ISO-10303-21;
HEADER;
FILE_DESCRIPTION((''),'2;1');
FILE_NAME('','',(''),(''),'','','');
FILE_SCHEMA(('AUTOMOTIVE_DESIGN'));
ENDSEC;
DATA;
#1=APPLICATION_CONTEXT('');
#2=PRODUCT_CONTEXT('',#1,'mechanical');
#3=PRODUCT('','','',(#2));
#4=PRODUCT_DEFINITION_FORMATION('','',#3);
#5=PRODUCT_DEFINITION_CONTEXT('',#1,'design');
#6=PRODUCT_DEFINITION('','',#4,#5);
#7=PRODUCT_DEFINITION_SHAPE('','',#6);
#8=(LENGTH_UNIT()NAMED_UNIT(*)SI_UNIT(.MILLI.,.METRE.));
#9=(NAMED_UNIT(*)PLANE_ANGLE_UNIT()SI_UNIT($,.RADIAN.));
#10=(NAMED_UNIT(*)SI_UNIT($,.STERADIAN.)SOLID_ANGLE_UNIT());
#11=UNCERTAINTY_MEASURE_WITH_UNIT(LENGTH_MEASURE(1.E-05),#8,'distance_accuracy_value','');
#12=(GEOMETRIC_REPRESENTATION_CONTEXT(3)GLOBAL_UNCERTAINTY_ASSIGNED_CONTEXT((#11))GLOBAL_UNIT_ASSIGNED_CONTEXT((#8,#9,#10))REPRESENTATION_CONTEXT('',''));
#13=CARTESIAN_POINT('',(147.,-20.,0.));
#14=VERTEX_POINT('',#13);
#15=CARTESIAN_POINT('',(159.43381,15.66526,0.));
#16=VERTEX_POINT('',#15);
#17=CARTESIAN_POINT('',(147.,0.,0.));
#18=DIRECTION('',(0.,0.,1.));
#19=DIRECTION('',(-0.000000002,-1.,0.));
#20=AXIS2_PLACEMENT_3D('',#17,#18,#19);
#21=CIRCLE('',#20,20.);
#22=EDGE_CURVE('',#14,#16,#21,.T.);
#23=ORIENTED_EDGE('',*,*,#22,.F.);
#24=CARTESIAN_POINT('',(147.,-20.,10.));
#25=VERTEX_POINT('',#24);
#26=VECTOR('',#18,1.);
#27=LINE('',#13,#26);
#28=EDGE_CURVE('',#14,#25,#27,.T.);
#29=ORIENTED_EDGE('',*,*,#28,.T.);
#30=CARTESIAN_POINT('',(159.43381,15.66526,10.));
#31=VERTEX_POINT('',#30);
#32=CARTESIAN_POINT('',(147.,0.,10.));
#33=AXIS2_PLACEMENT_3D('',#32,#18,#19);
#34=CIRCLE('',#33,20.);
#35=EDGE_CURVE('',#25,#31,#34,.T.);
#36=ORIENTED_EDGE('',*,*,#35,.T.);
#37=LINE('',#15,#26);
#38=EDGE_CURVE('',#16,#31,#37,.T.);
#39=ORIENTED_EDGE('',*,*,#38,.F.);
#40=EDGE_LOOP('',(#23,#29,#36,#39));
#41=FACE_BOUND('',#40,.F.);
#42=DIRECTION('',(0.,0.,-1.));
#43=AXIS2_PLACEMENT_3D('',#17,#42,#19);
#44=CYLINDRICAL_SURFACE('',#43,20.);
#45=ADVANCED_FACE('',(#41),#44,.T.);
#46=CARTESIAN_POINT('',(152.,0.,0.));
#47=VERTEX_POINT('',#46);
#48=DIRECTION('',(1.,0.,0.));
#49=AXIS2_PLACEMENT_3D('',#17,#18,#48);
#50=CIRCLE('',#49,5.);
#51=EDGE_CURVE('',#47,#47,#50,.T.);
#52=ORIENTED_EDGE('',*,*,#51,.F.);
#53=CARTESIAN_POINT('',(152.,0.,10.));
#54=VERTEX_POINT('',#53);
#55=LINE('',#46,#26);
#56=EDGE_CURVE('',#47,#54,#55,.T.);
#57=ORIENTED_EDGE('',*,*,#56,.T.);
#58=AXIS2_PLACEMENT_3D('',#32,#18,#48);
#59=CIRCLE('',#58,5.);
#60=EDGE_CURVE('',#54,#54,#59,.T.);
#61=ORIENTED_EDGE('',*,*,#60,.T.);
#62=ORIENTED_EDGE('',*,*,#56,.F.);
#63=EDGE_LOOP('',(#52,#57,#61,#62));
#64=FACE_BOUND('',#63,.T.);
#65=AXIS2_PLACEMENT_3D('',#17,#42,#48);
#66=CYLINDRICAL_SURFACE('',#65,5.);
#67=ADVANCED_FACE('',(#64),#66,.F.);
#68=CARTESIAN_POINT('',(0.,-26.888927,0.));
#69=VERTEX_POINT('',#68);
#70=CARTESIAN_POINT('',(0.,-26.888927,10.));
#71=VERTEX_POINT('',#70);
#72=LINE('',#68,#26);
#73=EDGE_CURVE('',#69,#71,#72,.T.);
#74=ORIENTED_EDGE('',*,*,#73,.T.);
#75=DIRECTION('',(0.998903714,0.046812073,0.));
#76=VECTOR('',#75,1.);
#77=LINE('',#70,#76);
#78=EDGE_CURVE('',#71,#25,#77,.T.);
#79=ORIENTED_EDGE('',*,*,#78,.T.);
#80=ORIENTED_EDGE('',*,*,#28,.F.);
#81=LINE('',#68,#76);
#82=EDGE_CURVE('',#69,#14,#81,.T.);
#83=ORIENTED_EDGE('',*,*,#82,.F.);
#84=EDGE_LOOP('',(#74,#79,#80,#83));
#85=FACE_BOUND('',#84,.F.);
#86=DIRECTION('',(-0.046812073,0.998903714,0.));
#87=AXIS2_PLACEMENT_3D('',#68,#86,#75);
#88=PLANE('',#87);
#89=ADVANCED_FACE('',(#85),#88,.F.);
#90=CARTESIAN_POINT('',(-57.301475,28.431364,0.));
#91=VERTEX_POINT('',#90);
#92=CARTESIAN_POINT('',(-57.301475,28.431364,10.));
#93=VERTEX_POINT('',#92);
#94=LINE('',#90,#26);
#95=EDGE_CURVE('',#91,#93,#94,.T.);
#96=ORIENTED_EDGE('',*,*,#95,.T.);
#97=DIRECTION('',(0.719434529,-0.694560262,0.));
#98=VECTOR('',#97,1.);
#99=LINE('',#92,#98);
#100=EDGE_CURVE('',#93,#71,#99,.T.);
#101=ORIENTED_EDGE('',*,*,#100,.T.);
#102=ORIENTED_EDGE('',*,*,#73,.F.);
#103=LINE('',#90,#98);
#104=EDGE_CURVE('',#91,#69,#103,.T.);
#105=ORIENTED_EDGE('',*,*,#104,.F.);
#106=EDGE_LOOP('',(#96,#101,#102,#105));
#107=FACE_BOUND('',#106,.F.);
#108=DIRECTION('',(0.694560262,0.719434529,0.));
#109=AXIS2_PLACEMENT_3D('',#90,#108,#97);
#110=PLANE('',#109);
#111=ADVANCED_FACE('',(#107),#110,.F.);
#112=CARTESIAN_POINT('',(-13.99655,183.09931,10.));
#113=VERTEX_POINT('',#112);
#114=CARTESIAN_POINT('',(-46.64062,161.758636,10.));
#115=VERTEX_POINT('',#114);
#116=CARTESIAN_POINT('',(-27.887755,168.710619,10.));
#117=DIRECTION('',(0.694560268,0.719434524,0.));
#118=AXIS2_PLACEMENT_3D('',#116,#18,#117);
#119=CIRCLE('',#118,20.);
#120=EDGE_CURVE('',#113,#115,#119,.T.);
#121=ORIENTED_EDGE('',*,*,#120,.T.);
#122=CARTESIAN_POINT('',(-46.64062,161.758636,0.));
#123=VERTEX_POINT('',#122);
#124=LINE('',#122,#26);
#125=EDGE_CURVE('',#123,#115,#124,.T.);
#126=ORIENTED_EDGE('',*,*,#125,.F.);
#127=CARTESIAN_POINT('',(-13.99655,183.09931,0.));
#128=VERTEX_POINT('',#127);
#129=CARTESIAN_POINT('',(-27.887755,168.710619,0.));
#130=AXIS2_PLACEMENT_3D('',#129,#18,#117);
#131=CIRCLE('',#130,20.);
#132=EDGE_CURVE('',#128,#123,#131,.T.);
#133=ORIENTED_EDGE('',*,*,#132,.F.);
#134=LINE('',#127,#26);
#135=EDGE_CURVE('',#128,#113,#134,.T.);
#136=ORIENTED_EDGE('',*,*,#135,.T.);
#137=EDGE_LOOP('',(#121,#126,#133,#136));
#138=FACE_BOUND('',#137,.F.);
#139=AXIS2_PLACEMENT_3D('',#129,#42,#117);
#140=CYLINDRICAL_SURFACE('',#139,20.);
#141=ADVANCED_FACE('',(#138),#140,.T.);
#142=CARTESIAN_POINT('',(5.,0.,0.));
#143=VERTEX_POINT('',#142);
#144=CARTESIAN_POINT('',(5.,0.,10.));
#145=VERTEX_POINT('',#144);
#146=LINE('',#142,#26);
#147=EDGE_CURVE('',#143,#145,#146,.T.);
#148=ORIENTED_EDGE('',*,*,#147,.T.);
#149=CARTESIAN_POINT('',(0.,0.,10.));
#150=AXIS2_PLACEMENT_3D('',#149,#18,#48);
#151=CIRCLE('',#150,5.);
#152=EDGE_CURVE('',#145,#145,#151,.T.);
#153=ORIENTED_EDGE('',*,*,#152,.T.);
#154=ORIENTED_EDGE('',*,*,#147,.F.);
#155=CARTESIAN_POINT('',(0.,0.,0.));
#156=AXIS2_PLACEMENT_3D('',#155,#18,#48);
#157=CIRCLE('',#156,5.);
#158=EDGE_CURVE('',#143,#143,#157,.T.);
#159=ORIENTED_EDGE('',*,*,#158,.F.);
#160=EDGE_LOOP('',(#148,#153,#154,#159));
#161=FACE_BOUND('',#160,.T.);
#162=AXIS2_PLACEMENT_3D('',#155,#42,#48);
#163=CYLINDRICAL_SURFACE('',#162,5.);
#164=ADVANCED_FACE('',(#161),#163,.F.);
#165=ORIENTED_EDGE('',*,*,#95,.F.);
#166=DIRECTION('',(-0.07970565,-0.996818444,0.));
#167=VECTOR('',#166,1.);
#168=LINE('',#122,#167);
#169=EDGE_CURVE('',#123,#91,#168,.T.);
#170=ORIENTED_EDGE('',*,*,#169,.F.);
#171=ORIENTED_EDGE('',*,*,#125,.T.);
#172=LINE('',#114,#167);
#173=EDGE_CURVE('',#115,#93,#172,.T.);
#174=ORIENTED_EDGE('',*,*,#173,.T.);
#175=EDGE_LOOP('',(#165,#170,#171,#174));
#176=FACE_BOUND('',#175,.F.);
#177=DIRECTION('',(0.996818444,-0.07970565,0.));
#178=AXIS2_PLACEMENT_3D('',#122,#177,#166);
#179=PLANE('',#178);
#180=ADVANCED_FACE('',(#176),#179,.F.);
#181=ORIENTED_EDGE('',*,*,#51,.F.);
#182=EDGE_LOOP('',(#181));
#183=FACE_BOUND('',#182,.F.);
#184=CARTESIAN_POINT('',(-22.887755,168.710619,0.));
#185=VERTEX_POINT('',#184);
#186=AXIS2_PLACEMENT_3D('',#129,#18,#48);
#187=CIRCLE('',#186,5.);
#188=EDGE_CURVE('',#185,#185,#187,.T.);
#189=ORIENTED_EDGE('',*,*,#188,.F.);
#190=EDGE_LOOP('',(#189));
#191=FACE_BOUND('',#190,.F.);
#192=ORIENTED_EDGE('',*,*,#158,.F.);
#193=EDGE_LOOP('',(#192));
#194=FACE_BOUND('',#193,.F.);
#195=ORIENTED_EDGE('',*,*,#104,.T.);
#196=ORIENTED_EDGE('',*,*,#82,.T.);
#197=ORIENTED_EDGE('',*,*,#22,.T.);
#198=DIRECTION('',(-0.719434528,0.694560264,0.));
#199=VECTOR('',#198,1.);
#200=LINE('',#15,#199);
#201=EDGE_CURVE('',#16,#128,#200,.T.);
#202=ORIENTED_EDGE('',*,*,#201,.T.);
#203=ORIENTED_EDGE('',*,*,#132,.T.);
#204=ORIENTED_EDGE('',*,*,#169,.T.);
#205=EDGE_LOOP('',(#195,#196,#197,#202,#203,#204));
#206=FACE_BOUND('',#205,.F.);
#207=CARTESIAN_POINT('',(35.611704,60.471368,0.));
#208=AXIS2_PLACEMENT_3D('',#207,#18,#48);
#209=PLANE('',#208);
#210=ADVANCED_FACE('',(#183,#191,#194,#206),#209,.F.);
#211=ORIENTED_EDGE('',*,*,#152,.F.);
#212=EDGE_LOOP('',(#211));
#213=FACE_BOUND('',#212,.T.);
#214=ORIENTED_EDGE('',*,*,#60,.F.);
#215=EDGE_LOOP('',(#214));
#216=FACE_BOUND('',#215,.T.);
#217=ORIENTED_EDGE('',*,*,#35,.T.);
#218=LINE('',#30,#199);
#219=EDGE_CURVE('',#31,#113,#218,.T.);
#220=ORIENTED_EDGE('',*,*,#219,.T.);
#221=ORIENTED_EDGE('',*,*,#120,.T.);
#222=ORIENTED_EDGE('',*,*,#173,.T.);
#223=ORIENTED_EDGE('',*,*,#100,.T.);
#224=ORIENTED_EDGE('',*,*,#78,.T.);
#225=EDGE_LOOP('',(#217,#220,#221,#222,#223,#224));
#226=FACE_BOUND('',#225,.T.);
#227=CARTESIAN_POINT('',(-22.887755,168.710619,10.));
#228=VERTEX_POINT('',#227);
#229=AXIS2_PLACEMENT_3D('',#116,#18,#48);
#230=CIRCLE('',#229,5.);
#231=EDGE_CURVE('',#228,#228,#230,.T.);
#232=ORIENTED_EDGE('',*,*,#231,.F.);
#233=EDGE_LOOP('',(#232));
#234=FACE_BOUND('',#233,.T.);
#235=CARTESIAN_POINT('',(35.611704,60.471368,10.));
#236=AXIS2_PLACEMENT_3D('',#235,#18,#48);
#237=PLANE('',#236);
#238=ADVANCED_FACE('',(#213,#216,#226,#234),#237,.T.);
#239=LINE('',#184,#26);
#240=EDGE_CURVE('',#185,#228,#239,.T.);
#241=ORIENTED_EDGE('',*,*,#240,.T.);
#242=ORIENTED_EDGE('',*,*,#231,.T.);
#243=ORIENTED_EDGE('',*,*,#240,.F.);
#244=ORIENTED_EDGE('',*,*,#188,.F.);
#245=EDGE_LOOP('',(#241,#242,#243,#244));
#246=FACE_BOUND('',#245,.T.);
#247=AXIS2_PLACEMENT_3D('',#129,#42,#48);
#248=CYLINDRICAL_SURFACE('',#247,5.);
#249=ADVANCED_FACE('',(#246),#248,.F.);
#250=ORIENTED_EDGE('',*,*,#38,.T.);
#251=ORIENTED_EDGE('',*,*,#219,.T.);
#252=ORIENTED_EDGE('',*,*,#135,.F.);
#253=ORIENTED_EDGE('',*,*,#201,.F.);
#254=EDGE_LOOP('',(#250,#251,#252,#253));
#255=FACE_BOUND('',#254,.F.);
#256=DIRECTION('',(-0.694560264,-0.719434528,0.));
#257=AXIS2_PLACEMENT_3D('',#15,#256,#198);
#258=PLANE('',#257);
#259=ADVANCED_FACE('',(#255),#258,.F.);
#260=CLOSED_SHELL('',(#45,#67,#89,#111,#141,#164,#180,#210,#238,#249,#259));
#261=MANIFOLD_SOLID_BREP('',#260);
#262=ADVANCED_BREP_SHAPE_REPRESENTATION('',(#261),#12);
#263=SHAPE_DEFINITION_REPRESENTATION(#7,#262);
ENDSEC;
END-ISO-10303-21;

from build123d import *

# Parameters (mm, degrees)
F0_R     = 5
F1_DEPTH = 10


with BuildPart() as f1:
    # F0 (on Top) → F1 (new body)
    with BuildSketch(Plane.XY):
        with BuildLine():
            Line((159.43381, 15.66526), (-13.99655, 183.09931))
            ThreePointArc((-13.99655, 183.09931), (-38.831476, 185.45084), (-46.64062, 161.758636))
            Line((-46.64062, 161.758636), (-57.301475, 28.431364))
            Line((-57.301475, 28.431364), (0, -26.888927))
            Line((0, -26.888927), (147, -20))
            ThreePointArc((147, -20), (165.885248, -6.583875), (159.43381, 15.66526))
        make_face()
        Circle(F0_R, mode=Mode.SUBTRACT)
        with Locations((147, 0)):
            Circle(F0_R, mode=Mode.SUBTRACT)
        with Locations((-27.887755, 168.710619)):
            Circle(F0_R, mode=Mode.SUBTRACT)
    extrude(amount=F1_DEPTH)


solid = f1.part
